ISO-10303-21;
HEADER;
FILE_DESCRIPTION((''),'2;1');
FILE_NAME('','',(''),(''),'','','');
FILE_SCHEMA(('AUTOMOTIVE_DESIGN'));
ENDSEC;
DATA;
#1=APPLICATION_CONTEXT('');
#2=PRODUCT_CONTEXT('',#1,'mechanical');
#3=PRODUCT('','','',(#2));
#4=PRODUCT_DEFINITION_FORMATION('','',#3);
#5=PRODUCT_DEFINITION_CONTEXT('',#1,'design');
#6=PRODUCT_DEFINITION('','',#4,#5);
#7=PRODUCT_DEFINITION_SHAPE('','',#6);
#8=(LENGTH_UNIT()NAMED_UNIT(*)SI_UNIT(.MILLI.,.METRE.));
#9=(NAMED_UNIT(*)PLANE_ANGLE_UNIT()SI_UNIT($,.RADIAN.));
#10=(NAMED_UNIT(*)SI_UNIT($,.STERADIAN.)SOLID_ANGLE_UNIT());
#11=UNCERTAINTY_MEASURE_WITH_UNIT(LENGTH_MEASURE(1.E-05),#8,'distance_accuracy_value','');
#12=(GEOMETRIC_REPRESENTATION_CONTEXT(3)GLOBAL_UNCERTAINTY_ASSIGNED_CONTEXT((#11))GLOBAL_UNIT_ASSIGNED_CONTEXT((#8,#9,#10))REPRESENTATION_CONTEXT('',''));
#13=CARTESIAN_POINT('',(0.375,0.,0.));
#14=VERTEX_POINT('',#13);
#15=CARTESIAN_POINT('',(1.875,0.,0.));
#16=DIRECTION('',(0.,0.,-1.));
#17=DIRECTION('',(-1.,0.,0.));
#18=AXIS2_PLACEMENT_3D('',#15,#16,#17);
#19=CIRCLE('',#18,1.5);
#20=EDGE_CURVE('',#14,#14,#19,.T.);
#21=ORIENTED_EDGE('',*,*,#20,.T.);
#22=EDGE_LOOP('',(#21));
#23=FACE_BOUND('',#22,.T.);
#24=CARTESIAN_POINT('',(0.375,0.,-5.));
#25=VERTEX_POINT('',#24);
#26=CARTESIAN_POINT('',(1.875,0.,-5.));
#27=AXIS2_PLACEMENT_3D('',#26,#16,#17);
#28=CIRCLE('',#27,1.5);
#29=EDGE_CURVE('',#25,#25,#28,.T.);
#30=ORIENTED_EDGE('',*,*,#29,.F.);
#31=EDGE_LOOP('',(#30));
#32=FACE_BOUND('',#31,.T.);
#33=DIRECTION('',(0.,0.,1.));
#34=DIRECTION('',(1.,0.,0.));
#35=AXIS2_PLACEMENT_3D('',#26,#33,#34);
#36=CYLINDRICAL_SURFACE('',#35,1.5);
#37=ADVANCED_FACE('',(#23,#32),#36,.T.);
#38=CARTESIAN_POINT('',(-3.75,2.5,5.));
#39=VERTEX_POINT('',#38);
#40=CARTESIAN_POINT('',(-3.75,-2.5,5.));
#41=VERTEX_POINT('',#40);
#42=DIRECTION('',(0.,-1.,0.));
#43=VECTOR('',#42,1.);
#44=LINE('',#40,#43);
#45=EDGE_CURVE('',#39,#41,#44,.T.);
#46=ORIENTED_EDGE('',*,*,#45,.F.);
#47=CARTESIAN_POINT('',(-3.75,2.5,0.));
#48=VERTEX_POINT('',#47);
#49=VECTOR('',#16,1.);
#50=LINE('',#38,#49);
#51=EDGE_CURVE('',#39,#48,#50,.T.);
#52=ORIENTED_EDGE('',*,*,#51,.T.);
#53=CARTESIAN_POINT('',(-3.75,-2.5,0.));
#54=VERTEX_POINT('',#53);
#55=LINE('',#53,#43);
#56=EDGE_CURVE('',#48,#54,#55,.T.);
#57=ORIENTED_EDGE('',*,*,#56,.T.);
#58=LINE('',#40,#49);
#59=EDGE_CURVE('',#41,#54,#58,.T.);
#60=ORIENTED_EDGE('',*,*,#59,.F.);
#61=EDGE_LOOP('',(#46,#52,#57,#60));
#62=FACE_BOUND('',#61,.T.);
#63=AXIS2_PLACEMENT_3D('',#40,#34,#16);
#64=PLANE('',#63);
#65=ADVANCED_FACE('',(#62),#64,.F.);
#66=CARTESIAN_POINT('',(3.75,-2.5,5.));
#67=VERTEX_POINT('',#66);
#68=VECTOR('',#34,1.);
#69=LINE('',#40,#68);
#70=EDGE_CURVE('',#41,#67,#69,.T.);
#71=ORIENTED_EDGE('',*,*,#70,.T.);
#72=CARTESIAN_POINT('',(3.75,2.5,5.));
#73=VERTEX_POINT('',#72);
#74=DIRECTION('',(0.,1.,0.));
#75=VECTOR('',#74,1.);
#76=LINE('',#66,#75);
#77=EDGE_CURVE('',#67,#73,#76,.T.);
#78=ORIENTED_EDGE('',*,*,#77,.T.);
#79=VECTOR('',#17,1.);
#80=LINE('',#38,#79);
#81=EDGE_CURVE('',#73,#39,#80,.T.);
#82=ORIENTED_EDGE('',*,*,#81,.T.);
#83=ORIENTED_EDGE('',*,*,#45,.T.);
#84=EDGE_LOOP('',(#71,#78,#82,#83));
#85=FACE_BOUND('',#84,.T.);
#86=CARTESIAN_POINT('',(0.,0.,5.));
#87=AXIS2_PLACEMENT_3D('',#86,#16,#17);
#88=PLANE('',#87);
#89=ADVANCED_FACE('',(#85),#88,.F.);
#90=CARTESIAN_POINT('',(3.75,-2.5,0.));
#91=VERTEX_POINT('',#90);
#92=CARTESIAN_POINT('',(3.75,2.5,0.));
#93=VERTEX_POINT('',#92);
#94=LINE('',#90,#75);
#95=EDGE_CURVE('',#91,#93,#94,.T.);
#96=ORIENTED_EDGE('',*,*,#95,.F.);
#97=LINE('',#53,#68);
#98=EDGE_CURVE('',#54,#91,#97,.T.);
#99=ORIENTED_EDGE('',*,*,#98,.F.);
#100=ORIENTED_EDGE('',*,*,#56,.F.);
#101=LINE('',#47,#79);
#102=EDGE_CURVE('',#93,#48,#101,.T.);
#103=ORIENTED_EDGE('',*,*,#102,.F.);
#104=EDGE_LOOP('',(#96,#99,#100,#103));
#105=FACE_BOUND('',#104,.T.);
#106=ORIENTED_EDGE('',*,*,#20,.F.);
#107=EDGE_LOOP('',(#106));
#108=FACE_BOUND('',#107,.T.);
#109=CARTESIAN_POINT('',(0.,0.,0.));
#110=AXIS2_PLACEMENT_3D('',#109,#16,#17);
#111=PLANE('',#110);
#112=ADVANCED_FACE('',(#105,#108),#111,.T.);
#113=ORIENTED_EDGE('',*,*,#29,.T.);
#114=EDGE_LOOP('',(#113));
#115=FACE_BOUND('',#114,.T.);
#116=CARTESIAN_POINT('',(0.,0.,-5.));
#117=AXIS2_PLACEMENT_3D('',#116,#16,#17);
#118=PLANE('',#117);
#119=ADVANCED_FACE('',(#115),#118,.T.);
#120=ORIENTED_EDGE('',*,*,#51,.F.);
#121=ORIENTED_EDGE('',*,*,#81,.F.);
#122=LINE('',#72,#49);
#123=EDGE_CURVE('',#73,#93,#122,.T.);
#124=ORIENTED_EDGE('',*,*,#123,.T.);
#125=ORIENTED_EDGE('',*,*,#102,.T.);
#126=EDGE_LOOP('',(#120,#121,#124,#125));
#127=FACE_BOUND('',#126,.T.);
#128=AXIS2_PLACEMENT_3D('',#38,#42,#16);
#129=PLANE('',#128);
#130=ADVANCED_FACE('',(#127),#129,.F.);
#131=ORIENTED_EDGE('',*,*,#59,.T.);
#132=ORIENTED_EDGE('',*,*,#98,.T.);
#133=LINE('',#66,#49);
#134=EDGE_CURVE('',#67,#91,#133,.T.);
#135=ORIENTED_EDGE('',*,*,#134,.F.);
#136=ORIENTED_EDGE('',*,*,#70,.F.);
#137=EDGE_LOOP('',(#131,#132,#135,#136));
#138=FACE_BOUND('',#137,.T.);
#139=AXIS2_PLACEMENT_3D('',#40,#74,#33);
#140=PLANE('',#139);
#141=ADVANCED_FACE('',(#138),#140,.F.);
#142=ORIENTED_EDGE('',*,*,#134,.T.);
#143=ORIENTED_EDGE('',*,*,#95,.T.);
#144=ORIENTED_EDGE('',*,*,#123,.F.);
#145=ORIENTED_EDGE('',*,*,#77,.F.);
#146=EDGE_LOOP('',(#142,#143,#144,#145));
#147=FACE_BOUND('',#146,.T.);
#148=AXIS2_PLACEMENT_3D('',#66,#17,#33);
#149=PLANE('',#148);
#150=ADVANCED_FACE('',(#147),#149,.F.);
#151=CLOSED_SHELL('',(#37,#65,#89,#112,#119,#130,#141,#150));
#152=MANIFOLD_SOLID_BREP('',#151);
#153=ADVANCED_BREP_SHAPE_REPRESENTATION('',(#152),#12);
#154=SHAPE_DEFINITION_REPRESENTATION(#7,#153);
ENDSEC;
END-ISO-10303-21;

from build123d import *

# Parameters (mm, degrees)
SKIZZE1_W                       = 7.5
SKIZZE1_H                       = 5
AUFSATZ_LINEAR_AUSTRAGEN1_DEPTH = 5
AUFSATZ_LINEAR_AUSTRAGEN2_DEPTH = 5


with BuildPart() as part:
    # Skizze1 → Aufsatz-Linear austragen1 (new body)
    with BuildSketch(Plane.XY):
        Rectangle(SKIZZE1_W, SKIZZE1_H)
    extrude(amount=AUFSATZ_LINEAR_AUSTRAGEN1_DEPTH)

    # Skizze2 → Aufsatz-Linear austragen2 (add)
    with BuildSketch(Plane(origin=(0, 0, 0), x_dir=(-1, 0, 0), z_dir=(0, 0, -1))):
        with BuildLine():
            ThreePointArc((-0.375, 0), (-1.875, 1.5), (-3.375, 0))
            Line((-3.375, 0), (-0.375, 0))
        make_face()
        with BuildLine():
            Line((-0.375, 0), (-3.375, 0))
            ThreePointArc((-3.375, 0), (-1.875, -1.5), (-0.375, 0))
        make_face()
    extrude(amount=AUFSATZ_LINEAR_AUSTRAGEN2_DEPTH)


solid = part.part
